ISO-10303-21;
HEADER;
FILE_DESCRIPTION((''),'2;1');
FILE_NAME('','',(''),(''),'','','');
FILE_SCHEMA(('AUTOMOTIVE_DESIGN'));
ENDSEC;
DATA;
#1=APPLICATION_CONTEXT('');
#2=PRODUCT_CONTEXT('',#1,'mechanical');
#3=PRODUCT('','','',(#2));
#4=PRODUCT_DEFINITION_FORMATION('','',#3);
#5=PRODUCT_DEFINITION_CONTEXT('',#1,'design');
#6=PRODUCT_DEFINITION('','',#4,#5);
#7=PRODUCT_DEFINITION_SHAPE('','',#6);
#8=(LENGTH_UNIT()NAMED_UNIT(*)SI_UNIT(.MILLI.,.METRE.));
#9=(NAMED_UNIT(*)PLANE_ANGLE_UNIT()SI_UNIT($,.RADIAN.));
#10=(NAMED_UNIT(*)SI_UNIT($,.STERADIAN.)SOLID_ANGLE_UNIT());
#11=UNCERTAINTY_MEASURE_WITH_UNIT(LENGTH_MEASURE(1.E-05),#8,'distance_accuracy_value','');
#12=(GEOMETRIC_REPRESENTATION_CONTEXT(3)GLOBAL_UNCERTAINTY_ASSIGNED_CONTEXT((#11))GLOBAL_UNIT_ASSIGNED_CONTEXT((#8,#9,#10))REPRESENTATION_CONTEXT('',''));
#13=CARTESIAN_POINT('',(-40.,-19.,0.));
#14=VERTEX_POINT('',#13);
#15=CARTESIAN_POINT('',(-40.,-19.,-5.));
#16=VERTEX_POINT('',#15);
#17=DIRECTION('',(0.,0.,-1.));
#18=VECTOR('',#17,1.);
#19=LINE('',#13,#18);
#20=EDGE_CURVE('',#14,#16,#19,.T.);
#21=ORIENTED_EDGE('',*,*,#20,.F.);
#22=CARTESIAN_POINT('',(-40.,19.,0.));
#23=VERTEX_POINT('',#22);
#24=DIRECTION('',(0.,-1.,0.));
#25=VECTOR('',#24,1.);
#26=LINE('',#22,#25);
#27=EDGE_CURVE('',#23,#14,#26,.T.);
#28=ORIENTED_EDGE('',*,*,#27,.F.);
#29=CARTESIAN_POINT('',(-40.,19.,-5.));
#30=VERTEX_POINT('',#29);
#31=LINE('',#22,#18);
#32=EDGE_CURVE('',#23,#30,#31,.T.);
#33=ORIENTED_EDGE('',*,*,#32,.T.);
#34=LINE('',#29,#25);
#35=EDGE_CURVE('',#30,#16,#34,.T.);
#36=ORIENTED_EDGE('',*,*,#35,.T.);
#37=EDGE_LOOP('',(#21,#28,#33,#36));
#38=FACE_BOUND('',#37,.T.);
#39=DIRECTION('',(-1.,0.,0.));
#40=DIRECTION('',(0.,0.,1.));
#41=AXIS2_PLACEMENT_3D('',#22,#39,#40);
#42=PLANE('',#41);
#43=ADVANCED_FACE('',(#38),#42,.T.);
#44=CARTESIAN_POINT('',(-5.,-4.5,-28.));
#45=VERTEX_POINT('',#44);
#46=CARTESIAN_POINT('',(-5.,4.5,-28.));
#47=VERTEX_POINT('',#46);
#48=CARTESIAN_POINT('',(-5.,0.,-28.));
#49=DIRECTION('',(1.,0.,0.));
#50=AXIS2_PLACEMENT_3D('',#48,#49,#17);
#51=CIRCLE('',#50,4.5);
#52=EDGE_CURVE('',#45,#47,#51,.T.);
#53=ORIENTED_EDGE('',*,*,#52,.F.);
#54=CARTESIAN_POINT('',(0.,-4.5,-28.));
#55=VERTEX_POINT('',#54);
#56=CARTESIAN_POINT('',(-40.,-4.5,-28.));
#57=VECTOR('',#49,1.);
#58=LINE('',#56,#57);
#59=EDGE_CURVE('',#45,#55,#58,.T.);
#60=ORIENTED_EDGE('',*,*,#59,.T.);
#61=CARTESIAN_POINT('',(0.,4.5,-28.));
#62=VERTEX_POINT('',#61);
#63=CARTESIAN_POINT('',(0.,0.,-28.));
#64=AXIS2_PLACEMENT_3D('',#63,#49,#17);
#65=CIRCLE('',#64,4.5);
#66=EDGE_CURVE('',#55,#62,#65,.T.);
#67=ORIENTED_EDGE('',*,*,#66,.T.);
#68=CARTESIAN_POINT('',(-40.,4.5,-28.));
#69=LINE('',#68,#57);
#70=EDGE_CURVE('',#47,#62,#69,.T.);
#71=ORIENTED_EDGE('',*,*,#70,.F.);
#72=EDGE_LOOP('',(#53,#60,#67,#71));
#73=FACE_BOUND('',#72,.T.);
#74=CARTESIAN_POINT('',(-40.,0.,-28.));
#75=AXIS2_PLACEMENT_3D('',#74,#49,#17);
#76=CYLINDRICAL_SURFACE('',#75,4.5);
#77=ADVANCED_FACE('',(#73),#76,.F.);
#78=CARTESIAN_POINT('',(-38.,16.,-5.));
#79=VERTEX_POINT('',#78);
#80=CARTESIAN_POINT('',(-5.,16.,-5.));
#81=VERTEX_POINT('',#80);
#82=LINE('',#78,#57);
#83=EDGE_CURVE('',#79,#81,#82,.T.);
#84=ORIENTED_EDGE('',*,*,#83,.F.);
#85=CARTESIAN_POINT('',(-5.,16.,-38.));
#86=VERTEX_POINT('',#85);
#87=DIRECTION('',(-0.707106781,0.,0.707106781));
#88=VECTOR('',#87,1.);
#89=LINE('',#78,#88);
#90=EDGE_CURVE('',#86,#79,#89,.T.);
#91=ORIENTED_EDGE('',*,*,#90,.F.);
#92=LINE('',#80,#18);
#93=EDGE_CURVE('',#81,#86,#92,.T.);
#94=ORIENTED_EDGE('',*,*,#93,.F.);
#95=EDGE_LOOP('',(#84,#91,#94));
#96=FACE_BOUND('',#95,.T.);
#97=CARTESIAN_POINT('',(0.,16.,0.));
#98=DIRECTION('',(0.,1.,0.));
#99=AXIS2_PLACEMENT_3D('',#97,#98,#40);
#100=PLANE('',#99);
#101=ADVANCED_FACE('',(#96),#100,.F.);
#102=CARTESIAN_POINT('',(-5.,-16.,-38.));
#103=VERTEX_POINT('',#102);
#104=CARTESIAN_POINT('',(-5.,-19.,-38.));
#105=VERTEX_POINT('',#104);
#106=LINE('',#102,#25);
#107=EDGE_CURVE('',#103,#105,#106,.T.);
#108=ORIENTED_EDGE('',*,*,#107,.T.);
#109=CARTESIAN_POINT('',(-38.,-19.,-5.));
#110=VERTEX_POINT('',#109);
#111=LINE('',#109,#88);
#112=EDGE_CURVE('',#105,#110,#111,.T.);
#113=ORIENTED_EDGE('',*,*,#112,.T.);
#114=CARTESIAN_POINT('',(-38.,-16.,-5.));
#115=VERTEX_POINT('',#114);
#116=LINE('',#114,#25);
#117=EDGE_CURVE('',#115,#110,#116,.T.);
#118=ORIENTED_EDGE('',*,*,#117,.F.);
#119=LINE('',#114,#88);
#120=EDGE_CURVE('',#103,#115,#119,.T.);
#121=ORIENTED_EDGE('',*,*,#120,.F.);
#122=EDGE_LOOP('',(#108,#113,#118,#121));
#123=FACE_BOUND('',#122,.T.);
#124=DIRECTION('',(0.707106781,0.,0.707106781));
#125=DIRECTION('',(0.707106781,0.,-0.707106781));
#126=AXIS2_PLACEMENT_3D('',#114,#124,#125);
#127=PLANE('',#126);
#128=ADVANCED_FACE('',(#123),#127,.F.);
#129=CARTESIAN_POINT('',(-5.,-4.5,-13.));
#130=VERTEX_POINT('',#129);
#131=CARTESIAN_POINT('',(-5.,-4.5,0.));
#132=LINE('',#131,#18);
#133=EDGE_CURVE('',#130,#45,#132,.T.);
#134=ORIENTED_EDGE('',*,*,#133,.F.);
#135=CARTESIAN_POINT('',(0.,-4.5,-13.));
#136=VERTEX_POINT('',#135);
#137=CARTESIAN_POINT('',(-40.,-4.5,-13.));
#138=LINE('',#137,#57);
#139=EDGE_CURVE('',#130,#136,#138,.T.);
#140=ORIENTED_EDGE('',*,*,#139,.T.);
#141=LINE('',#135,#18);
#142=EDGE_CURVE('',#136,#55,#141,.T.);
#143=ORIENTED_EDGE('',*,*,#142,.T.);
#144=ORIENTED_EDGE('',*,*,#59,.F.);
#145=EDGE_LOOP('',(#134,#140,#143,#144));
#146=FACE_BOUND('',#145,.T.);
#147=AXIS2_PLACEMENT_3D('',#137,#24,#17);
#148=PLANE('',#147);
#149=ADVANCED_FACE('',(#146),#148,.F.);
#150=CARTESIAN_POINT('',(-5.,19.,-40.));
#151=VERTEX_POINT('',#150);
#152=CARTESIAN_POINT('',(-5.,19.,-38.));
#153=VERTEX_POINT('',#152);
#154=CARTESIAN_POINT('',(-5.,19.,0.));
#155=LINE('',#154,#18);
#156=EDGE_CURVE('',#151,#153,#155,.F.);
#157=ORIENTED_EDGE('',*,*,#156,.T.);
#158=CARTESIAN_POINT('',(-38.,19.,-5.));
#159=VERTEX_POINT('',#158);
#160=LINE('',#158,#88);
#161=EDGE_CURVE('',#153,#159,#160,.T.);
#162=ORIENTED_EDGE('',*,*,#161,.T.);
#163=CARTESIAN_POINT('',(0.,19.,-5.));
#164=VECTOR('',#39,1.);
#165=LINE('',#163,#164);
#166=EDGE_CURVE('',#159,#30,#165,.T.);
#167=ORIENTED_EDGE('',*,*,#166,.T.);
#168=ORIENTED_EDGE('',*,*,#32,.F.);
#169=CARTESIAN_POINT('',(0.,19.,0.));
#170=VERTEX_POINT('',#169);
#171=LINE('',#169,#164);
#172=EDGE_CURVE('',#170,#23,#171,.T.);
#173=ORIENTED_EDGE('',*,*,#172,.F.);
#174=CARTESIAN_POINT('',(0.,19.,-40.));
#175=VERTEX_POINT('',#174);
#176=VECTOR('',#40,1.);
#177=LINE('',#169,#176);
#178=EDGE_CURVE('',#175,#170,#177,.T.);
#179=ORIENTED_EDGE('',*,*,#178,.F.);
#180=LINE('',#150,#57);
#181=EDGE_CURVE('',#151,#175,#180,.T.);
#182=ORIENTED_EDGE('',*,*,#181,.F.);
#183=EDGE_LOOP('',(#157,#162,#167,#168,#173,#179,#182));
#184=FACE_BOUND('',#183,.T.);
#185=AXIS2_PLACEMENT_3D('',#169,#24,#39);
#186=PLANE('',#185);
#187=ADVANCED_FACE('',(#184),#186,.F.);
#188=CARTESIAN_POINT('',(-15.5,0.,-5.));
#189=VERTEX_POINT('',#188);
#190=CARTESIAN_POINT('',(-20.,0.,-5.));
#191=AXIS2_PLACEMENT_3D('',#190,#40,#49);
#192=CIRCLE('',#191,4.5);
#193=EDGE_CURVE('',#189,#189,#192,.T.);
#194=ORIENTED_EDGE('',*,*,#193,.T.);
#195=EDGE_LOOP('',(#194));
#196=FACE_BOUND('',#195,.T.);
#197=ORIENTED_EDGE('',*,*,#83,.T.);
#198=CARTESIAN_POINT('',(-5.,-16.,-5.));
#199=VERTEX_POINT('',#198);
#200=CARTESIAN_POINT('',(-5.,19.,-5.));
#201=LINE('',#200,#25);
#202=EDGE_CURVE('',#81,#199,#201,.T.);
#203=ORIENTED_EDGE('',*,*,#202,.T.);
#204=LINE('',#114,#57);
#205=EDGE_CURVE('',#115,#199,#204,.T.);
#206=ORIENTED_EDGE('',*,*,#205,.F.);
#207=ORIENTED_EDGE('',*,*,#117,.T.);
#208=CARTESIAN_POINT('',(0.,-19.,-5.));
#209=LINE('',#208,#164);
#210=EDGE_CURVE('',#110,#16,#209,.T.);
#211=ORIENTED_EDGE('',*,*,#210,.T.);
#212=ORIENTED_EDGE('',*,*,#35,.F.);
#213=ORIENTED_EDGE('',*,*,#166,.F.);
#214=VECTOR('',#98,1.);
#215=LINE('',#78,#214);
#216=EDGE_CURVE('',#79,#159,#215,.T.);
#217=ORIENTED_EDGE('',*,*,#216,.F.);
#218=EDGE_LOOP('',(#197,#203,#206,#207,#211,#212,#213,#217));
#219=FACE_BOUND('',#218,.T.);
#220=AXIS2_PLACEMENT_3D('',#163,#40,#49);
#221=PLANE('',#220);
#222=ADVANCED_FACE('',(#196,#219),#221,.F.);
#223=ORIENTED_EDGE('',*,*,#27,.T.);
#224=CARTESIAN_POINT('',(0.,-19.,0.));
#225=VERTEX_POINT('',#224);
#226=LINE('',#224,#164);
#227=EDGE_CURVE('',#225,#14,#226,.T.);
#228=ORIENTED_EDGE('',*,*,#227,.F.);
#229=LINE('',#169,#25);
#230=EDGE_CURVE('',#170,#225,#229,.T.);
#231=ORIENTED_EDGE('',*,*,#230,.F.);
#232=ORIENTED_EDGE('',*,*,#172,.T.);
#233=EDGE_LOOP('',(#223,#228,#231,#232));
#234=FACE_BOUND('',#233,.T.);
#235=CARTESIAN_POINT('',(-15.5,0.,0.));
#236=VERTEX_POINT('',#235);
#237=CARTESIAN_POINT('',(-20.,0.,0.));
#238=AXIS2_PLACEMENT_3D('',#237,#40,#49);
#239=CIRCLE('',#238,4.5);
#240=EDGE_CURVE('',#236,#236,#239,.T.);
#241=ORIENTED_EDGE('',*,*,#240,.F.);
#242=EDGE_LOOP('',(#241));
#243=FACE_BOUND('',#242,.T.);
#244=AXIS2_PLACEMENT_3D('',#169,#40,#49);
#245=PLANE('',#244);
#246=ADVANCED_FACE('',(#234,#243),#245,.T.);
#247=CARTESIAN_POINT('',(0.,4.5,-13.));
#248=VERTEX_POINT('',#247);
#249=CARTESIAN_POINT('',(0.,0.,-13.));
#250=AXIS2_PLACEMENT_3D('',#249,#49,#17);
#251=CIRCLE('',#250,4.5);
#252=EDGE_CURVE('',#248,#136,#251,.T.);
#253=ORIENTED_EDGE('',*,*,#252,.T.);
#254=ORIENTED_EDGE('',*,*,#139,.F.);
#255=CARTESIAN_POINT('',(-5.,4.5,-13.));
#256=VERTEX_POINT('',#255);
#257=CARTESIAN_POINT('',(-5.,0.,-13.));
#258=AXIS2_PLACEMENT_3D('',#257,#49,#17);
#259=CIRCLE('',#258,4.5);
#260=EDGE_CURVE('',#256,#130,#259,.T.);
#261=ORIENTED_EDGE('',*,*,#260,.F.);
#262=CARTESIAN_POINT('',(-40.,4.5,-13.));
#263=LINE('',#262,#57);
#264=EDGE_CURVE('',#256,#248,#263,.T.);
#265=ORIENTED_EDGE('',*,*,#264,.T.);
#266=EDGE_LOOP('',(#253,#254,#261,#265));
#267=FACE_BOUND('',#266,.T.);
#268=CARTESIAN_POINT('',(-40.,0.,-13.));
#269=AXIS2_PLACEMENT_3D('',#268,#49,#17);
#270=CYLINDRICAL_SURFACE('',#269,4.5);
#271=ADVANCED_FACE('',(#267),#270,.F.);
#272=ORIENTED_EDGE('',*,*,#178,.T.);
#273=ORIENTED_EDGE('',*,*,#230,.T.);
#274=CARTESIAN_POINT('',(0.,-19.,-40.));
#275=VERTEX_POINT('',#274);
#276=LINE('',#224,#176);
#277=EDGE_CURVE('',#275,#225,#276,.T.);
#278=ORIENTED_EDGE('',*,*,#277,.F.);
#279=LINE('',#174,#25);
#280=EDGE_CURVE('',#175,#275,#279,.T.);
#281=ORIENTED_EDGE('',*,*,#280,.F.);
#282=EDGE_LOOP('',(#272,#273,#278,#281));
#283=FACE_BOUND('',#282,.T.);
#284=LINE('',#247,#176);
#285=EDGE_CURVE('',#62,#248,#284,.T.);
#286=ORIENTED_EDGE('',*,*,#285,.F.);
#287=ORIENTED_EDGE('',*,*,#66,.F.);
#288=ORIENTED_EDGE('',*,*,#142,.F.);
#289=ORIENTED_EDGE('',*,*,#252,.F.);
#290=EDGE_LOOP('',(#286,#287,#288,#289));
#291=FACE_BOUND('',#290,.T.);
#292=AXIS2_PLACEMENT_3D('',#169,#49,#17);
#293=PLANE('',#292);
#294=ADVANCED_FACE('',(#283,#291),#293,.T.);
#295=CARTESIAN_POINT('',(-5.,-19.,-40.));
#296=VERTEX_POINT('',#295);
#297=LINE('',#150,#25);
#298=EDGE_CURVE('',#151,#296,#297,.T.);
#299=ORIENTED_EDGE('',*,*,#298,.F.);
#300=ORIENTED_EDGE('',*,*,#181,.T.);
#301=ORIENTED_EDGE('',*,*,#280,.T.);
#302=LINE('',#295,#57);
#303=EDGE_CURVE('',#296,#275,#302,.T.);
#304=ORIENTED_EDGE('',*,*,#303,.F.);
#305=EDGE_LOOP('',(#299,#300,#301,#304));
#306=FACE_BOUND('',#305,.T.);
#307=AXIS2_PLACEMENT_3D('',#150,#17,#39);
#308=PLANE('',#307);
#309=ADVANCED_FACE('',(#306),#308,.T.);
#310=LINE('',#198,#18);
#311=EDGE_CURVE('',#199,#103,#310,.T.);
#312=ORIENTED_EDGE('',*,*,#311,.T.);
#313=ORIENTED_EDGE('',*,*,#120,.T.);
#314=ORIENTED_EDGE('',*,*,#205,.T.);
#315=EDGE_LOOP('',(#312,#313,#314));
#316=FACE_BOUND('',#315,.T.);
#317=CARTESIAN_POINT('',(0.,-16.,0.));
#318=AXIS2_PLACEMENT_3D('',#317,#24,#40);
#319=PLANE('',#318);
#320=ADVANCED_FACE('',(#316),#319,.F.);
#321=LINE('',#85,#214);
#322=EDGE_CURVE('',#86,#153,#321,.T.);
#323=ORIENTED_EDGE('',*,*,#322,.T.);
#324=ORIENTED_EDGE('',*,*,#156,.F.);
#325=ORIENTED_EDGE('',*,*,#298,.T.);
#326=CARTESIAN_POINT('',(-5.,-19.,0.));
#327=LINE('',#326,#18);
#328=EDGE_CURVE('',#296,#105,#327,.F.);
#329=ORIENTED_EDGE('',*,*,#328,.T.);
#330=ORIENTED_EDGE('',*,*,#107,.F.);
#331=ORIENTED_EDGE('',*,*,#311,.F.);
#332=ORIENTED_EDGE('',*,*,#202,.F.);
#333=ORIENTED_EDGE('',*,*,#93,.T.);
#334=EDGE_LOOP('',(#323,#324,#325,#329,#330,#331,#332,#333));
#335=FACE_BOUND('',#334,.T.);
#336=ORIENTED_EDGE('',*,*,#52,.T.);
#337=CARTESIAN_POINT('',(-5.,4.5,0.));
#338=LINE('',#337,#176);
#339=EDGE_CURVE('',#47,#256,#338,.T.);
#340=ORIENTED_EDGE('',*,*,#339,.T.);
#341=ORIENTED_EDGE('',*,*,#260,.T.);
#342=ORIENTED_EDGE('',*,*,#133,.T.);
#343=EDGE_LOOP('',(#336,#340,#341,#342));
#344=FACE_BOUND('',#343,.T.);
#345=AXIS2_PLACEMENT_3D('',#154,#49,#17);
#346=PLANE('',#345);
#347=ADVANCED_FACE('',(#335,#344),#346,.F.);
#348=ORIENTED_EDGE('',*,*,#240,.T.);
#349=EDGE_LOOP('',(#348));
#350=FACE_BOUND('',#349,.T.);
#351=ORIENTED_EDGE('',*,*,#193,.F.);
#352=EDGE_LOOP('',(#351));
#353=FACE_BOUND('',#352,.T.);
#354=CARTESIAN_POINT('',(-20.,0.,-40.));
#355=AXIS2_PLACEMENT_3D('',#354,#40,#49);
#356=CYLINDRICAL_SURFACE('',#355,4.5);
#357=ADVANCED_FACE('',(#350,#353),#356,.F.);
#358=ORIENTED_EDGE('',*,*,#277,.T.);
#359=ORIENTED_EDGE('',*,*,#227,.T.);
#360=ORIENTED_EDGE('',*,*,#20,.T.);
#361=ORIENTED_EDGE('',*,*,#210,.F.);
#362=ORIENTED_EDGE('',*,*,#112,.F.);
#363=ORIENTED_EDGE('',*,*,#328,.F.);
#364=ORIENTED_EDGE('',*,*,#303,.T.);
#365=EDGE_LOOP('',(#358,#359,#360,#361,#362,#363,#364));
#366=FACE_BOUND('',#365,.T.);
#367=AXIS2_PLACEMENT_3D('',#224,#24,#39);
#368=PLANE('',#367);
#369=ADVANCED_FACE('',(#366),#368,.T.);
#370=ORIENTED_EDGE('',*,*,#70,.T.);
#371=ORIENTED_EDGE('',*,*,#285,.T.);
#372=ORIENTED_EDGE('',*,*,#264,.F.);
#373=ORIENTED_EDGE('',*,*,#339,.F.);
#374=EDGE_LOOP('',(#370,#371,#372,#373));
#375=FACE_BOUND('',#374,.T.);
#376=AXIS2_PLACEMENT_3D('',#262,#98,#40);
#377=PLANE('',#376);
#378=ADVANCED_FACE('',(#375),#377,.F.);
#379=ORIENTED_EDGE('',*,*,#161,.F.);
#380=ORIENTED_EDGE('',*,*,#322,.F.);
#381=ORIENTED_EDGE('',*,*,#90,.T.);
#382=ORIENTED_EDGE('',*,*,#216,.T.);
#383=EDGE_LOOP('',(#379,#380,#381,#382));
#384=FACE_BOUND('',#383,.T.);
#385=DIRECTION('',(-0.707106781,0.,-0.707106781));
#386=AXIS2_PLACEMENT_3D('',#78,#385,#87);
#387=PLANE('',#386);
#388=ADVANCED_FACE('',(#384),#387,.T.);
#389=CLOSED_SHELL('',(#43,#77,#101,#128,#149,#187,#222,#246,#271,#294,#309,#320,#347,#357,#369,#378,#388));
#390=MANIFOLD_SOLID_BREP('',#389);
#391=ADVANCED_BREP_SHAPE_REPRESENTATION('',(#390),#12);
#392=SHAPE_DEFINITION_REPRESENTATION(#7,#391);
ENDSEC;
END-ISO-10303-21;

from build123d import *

# Parameters (mm, degrees)
EXTRUDE_THIN1_DEPTH = 19
CUT_EXTRUDE1_DEPTH  = 60.674114991
SKETCH3_R           = 4.5
CUT_EXTRUDE2_DEPTH  = 60.674114991
BOSS_EXTRUDE1_DEPTH = 3


with BuildPart() as part:
    # Sketch1 → Extrude-Thin1 (new, symmetric)
    with BuildSketch(Plane(origin=(0, 0, 0), x_dir=(1, 0, 0), z_dir=(0, 1, 0))):
        Polygon((-40, 0), (0, 0), (0, 40), (-5, 40), (-5, 5), (-40, 5), align=None)
    extrude(amount=EXTRUDE_THIN1_DEPTH, both=True)

    # Sketch2 → Cut-Extrude1 (cut, through all)
    with BuildSketch(Plane(origin=(0, 0, 0), x_dir=(0, 0, -1), z_dir=(1, 0, 0))):
        with BuildLine():
            Line((13, 4.5), (28, 4.5))
            ThreePointArc((28, 4.5), (32.5, 0), (28, -4.5))
            Line((28, -4.5), (13, -4.5))
            ThreePointArc((13, -4.5), (8.5, 0), (13, 4.5))
        make_face()
    extrude(amount=-CUT_EXTRUDE1_DEPTH, mode=Mode.SUBTRACT)

    # Sketch3 → Cut-Extrude2 (cut, through all)
    with BuildSketch(Plane.XY):
        with Locations((-20, 0)):
            Circle(SKETCH3_R)
    extrude(amount=-CUT_EXTRUDE2_DEPTH, mode=Mode.SUBTRACT)

    # Sketch4 → Boss-Extrude1 (add)
    with BuildSketch(Plane(origin=(0, 19, 0), x_dir=(1, 0, 0), z_dir=(0, 1, 0))):
        Polygon((-38, 5), (-5, 38), (-5, 5), align=None)
    boss_extrude1 = extrude(amount=-BOSS_EXTRUDE1_DEPTH)

    # Mirror1: Boss-Extrude1 across plane
    add(boss_extrude1.mirror(Plane.ZX))


solid = part.part
